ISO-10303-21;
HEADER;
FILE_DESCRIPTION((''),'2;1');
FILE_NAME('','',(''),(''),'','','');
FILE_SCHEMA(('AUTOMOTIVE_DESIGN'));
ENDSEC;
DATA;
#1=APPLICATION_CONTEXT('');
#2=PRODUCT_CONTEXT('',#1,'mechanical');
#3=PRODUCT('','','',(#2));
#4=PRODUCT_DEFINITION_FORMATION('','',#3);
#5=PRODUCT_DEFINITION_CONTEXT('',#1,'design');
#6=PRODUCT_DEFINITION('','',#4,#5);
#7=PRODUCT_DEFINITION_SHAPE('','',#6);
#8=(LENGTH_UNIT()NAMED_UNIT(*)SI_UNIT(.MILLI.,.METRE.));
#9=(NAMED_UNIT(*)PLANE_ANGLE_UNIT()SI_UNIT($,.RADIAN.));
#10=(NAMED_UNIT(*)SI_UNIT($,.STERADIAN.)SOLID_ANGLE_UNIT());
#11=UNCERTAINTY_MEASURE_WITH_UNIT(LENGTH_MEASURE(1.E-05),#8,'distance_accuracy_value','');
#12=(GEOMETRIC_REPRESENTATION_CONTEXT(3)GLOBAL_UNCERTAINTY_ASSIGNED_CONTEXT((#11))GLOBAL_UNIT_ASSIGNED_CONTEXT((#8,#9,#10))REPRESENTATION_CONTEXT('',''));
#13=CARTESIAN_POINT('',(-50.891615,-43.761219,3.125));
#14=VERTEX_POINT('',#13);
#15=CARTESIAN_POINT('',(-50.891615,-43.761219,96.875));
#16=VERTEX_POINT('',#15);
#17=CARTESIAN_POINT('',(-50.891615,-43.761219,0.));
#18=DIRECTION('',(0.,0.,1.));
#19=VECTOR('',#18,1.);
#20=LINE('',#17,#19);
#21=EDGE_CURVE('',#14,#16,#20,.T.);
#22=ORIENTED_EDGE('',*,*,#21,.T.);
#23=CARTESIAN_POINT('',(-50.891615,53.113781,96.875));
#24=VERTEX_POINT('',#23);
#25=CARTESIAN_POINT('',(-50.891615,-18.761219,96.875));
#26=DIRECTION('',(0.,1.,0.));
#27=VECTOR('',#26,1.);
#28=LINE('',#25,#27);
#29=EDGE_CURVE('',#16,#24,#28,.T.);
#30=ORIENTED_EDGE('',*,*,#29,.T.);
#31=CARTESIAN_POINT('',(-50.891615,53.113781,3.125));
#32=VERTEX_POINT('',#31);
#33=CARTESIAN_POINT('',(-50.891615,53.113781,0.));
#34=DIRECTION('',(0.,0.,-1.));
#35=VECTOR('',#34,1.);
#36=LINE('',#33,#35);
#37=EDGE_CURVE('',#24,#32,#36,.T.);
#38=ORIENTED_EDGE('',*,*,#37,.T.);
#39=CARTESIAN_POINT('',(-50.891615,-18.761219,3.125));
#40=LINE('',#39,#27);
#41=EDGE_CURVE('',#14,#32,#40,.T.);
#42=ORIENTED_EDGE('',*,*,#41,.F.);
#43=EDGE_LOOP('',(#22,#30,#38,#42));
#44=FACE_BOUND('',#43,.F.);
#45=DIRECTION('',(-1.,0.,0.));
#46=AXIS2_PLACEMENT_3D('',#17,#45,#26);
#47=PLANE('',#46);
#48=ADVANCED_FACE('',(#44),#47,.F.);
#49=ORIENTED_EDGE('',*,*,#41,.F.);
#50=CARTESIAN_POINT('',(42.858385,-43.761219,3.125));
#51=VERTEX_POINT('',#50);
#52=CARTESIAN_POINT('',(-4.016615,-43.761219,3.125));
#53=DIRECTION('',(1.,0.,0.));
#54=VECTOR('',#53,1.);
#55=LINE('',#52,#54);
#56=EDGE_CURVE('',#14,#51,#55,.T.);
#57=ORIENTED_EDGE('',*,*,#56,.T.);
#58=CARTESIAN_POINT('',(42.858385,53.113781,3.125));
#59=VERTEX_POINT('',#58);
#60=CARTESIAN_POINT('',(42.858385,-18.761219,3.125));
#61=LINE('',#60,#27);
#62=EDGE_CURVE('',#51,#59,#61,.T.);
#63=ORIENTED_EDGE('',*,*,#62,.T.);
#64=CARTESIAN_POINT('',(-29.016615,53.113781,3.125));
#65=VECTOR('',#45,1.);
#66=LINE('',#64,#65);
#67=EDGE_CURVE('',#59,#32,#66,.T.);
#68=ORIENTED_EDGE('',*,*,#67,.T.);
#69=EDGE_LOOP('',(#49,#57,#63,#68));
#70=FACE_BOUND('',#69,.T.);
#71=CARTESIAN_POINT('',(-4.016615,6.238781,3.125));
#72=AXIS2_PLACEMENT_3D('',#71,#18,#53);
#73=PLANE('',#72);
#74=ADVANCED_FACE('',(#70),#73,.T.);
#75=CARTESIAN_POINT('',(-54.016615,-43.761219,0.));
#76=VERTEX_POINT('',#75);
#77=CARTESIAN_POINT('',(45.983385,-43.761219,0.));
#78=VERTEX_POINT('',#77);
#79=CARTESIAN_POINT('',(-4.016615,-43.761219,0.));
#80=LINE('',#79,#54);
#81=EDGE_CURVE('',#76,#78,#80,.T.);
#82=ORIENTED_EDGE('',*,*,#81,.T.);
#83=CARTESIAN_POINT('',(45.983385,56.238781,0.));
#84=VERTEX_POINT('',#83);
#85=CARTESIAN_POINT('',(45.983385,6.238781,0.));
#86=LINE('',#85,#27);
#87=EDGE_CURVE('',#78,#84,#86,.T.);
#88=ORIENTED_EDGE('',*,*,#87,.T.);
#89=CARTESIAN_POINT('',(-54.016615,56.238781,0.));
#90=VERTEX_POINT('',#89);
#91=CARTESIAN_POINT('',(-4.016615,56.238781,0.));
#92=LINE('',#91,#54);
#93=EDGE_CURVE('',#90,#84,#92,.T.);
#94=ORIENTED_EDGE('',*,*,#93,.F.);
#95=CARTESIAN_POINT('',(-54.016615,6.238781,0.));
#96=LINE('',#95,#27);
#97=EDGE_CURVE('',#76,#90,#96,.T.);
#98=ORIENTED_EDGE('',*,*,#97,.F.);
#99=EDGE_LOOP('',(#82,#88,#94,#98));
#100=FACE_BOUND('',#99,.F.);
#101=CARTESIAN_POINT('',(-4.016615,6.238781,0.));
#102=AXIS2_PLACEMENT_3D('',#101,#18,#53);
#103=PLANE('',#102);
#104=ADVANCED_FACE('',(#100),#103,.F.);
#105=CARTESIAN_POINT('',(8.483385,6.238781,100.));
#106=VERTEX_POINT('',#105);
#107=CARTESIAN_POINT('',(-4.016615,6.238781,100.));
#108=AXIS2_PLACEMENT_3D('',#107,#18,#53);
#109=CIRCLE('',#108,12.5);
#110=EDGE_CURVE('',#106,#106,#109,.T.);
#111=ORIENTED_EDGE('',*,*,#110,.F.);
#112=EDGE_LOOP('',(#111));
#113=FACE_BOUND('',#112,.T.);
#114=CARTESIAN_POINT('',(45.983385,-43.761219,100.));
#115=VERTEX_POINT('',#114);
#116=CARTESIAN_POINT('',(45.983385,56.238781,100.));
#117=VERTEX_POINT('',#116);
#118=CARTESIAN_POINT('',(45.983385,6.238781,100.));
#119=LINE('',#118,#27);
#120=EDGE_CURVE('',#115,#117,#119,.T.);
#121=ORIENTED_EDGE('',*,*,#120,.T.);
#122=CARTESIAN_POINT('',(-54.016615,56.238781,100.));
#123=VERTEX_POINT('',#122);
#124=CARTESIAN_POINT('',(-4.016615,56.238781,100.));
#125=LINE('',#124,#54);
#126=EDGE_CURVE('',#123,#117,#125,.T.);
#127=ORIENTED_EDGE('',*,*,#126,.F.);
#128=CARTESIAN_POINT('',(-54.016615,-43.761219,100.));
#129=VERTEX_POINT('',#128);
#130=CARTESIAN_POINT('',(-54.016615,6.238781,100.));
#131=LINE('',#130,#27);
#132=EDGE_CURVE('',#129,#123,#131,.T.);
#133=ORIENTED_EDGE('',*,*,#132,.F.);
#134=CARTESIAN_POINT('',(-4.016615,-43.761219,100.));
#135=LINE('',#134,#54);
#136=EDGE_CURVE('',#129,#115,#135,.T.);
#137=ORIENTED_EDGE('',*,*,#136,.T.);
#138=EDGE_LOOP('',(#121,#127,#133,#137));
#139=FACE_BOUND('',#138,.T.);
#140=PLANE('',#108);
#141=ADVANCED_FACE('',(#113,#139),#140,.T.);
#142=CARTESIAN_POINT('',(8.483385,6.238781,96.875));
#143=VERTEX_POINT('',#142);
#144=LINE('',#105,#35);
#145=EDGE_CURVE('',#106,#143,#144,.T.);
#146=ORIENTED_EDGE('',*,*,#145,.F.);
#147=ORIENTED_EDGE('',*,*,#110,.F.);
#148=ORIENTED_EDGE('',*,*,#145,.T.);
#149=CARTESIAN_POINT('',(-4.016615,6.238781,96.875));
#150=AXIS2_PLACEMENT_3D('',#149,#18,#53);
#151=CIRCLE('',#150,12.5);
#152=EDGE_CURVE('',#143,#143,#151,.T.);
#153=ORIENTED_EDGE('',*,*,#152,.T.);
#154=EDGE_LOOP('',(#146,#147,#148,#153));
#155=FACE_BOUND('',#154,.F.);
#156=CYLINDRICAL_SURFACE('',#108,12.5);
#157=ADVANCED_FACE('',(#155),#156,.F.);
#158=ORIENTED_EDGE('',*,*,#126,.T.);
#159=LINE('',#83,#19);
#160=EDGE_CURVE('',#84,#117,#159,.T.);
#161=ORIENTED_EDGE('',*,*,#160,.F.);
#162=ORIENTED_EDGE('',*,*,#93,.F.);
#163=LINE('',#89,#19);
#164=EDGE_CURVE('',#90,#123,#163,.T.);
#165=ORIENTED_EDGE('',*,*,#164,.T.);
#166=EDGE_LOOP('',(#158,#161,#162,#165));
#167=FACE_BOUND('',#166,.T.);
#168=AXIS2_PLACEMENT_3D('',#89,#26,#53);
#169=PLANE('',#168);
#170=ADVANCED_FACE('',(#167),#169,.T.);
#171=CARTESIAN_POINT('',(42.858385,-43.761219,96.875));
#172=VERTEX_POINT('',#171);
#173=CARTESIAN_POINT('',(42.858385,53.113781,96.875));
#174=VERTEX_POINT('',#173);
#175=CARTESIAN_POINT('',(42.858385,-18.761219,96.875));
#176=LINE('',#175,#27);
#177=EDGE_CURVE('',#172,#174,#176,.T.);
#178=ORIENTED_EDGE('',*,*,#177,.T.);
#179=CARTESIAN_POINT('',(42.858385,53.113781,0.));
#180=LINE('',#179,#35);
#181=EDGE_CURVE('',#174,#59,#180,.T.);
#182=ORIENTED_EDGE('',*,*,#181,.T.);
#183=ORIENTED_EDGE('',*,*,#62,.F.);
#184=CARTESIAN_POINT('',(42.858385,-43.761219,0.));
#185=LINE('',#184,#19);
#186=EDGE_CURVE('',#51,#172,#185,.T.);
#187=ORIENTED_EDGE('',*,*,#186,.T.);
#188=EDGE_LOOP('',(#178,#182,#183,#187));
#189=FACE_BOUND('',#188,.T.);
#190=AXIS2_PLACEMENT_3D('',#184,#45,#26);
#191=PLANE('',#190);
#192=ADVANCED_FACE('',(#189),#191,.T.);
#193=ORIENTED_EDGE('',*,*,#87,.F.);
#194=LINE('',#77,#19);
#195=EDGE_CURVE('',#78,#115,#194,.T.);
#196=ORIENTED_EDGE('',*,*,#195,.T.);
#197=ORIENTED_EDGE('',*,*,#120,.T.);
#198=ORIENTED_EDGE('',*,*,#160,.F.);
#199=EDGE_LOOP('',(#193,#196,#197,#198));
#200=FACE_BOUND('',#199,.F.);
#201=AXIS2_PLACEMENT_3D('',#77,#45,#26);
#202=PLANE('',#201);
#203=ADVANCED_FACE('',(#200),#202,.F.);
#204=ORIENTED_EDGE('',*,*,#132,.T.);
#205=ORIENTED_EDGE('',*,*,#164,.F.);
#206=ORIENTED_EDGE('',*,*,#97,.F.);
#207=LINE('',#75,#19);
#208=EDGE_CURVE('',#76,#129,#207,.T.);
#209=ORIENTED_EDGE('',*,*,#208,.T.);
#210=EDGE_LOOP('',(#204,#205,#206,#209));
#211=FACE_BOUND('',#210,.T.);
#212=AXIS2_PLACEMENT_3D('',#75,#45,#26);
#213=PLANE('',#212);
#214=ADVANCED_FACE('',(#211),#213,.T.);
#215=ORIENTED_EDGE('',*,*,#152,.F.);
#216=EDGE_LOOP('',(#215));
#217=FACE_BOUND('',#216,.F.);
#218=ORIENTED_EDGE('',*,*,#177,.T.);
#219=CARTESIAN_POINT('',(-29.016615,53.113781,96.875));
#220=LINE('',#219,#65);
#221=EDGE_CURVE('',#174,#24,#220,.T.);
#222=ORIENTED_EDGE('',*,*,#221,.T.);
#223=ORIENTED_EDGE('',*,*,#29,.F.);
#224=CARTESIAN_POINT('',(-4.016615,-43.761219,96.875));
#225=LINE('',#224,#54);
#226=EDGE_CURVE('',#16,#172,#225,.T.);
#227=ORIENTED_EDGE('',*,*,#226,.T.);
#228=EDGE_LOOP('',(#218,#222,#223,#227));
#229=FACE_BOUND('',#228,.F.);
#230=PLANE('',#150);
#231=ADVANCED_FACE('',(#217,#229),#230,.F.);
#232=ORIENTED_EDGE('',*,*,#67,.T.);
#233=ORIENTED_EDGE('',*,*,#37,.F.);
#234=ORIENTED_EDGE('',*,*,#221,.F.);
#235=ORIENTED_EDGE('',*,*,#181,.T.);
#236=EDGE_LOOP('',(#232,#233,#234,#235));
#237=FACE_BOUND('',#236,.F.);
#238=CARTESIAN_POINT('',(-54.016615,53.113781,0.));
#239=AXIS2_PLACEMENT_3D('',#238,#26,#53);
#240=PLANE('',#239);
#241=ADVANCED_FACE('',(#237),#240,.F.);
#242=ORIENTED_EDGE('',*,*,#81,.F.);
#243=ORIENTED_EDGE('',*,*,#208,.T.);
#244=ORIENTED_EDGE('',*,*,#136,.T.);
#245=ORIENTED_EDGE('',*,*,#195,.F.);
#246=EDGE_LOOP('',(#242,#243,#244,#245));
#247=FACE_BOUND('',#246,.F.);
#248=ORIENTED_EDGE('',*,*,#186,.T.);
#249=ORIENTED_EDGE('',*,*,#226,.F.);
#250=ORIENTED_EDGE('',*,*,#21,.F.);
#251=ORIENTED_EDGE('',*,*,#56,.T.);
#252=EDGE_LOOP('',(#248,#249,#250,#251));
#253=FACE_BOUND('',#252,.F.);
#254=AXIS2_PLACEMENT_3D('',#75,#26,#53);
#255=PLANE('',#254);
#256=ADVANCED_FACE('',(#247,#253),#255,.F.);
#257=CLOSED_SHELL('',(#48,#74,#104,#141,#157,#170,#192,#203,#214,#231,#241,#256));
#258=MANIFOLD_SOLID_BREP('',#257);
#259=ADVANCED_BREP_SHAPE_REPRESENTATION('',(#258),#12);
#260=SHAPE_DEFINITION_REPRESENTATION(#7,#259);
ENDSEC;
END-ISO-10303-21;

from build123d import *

# Parameters (mm, degrees)
F0_W     = 100
F0_H     = 100
F1_DEPTH = 100
F2_T     = -3.125
F3_R     = 12.5
F4_DEPTH = 3.125


with BuildPart() as f1:
    # F0 (on Top) → F1 (new body)
    with BuildSketch(Plane.XY):
        with Locations((-4.0166154504, 6.2387808433)):
            Rectangle(F0_W, F0_H)
    extrude(amount=F1_DEPTH)

    # F2
    f2_openings = [f1.faces().sort_by_distance(p)[0] for p in [
        (-4.016615, -43.761219, 50),
    ]]
    offset(amount=F2_T, openings=f2_openings)

    # F3 (on face) → F4 (cut, through all)
    with BuildSketch(Plane.XY.offset(100)):
        with Locations((-4.0166154504, 6.2387808433)):
            Circle(F3_R)
    extrude(amount=-F4_DEPTH, mode=Mode.SUBTRACT)


solid = f1.part
